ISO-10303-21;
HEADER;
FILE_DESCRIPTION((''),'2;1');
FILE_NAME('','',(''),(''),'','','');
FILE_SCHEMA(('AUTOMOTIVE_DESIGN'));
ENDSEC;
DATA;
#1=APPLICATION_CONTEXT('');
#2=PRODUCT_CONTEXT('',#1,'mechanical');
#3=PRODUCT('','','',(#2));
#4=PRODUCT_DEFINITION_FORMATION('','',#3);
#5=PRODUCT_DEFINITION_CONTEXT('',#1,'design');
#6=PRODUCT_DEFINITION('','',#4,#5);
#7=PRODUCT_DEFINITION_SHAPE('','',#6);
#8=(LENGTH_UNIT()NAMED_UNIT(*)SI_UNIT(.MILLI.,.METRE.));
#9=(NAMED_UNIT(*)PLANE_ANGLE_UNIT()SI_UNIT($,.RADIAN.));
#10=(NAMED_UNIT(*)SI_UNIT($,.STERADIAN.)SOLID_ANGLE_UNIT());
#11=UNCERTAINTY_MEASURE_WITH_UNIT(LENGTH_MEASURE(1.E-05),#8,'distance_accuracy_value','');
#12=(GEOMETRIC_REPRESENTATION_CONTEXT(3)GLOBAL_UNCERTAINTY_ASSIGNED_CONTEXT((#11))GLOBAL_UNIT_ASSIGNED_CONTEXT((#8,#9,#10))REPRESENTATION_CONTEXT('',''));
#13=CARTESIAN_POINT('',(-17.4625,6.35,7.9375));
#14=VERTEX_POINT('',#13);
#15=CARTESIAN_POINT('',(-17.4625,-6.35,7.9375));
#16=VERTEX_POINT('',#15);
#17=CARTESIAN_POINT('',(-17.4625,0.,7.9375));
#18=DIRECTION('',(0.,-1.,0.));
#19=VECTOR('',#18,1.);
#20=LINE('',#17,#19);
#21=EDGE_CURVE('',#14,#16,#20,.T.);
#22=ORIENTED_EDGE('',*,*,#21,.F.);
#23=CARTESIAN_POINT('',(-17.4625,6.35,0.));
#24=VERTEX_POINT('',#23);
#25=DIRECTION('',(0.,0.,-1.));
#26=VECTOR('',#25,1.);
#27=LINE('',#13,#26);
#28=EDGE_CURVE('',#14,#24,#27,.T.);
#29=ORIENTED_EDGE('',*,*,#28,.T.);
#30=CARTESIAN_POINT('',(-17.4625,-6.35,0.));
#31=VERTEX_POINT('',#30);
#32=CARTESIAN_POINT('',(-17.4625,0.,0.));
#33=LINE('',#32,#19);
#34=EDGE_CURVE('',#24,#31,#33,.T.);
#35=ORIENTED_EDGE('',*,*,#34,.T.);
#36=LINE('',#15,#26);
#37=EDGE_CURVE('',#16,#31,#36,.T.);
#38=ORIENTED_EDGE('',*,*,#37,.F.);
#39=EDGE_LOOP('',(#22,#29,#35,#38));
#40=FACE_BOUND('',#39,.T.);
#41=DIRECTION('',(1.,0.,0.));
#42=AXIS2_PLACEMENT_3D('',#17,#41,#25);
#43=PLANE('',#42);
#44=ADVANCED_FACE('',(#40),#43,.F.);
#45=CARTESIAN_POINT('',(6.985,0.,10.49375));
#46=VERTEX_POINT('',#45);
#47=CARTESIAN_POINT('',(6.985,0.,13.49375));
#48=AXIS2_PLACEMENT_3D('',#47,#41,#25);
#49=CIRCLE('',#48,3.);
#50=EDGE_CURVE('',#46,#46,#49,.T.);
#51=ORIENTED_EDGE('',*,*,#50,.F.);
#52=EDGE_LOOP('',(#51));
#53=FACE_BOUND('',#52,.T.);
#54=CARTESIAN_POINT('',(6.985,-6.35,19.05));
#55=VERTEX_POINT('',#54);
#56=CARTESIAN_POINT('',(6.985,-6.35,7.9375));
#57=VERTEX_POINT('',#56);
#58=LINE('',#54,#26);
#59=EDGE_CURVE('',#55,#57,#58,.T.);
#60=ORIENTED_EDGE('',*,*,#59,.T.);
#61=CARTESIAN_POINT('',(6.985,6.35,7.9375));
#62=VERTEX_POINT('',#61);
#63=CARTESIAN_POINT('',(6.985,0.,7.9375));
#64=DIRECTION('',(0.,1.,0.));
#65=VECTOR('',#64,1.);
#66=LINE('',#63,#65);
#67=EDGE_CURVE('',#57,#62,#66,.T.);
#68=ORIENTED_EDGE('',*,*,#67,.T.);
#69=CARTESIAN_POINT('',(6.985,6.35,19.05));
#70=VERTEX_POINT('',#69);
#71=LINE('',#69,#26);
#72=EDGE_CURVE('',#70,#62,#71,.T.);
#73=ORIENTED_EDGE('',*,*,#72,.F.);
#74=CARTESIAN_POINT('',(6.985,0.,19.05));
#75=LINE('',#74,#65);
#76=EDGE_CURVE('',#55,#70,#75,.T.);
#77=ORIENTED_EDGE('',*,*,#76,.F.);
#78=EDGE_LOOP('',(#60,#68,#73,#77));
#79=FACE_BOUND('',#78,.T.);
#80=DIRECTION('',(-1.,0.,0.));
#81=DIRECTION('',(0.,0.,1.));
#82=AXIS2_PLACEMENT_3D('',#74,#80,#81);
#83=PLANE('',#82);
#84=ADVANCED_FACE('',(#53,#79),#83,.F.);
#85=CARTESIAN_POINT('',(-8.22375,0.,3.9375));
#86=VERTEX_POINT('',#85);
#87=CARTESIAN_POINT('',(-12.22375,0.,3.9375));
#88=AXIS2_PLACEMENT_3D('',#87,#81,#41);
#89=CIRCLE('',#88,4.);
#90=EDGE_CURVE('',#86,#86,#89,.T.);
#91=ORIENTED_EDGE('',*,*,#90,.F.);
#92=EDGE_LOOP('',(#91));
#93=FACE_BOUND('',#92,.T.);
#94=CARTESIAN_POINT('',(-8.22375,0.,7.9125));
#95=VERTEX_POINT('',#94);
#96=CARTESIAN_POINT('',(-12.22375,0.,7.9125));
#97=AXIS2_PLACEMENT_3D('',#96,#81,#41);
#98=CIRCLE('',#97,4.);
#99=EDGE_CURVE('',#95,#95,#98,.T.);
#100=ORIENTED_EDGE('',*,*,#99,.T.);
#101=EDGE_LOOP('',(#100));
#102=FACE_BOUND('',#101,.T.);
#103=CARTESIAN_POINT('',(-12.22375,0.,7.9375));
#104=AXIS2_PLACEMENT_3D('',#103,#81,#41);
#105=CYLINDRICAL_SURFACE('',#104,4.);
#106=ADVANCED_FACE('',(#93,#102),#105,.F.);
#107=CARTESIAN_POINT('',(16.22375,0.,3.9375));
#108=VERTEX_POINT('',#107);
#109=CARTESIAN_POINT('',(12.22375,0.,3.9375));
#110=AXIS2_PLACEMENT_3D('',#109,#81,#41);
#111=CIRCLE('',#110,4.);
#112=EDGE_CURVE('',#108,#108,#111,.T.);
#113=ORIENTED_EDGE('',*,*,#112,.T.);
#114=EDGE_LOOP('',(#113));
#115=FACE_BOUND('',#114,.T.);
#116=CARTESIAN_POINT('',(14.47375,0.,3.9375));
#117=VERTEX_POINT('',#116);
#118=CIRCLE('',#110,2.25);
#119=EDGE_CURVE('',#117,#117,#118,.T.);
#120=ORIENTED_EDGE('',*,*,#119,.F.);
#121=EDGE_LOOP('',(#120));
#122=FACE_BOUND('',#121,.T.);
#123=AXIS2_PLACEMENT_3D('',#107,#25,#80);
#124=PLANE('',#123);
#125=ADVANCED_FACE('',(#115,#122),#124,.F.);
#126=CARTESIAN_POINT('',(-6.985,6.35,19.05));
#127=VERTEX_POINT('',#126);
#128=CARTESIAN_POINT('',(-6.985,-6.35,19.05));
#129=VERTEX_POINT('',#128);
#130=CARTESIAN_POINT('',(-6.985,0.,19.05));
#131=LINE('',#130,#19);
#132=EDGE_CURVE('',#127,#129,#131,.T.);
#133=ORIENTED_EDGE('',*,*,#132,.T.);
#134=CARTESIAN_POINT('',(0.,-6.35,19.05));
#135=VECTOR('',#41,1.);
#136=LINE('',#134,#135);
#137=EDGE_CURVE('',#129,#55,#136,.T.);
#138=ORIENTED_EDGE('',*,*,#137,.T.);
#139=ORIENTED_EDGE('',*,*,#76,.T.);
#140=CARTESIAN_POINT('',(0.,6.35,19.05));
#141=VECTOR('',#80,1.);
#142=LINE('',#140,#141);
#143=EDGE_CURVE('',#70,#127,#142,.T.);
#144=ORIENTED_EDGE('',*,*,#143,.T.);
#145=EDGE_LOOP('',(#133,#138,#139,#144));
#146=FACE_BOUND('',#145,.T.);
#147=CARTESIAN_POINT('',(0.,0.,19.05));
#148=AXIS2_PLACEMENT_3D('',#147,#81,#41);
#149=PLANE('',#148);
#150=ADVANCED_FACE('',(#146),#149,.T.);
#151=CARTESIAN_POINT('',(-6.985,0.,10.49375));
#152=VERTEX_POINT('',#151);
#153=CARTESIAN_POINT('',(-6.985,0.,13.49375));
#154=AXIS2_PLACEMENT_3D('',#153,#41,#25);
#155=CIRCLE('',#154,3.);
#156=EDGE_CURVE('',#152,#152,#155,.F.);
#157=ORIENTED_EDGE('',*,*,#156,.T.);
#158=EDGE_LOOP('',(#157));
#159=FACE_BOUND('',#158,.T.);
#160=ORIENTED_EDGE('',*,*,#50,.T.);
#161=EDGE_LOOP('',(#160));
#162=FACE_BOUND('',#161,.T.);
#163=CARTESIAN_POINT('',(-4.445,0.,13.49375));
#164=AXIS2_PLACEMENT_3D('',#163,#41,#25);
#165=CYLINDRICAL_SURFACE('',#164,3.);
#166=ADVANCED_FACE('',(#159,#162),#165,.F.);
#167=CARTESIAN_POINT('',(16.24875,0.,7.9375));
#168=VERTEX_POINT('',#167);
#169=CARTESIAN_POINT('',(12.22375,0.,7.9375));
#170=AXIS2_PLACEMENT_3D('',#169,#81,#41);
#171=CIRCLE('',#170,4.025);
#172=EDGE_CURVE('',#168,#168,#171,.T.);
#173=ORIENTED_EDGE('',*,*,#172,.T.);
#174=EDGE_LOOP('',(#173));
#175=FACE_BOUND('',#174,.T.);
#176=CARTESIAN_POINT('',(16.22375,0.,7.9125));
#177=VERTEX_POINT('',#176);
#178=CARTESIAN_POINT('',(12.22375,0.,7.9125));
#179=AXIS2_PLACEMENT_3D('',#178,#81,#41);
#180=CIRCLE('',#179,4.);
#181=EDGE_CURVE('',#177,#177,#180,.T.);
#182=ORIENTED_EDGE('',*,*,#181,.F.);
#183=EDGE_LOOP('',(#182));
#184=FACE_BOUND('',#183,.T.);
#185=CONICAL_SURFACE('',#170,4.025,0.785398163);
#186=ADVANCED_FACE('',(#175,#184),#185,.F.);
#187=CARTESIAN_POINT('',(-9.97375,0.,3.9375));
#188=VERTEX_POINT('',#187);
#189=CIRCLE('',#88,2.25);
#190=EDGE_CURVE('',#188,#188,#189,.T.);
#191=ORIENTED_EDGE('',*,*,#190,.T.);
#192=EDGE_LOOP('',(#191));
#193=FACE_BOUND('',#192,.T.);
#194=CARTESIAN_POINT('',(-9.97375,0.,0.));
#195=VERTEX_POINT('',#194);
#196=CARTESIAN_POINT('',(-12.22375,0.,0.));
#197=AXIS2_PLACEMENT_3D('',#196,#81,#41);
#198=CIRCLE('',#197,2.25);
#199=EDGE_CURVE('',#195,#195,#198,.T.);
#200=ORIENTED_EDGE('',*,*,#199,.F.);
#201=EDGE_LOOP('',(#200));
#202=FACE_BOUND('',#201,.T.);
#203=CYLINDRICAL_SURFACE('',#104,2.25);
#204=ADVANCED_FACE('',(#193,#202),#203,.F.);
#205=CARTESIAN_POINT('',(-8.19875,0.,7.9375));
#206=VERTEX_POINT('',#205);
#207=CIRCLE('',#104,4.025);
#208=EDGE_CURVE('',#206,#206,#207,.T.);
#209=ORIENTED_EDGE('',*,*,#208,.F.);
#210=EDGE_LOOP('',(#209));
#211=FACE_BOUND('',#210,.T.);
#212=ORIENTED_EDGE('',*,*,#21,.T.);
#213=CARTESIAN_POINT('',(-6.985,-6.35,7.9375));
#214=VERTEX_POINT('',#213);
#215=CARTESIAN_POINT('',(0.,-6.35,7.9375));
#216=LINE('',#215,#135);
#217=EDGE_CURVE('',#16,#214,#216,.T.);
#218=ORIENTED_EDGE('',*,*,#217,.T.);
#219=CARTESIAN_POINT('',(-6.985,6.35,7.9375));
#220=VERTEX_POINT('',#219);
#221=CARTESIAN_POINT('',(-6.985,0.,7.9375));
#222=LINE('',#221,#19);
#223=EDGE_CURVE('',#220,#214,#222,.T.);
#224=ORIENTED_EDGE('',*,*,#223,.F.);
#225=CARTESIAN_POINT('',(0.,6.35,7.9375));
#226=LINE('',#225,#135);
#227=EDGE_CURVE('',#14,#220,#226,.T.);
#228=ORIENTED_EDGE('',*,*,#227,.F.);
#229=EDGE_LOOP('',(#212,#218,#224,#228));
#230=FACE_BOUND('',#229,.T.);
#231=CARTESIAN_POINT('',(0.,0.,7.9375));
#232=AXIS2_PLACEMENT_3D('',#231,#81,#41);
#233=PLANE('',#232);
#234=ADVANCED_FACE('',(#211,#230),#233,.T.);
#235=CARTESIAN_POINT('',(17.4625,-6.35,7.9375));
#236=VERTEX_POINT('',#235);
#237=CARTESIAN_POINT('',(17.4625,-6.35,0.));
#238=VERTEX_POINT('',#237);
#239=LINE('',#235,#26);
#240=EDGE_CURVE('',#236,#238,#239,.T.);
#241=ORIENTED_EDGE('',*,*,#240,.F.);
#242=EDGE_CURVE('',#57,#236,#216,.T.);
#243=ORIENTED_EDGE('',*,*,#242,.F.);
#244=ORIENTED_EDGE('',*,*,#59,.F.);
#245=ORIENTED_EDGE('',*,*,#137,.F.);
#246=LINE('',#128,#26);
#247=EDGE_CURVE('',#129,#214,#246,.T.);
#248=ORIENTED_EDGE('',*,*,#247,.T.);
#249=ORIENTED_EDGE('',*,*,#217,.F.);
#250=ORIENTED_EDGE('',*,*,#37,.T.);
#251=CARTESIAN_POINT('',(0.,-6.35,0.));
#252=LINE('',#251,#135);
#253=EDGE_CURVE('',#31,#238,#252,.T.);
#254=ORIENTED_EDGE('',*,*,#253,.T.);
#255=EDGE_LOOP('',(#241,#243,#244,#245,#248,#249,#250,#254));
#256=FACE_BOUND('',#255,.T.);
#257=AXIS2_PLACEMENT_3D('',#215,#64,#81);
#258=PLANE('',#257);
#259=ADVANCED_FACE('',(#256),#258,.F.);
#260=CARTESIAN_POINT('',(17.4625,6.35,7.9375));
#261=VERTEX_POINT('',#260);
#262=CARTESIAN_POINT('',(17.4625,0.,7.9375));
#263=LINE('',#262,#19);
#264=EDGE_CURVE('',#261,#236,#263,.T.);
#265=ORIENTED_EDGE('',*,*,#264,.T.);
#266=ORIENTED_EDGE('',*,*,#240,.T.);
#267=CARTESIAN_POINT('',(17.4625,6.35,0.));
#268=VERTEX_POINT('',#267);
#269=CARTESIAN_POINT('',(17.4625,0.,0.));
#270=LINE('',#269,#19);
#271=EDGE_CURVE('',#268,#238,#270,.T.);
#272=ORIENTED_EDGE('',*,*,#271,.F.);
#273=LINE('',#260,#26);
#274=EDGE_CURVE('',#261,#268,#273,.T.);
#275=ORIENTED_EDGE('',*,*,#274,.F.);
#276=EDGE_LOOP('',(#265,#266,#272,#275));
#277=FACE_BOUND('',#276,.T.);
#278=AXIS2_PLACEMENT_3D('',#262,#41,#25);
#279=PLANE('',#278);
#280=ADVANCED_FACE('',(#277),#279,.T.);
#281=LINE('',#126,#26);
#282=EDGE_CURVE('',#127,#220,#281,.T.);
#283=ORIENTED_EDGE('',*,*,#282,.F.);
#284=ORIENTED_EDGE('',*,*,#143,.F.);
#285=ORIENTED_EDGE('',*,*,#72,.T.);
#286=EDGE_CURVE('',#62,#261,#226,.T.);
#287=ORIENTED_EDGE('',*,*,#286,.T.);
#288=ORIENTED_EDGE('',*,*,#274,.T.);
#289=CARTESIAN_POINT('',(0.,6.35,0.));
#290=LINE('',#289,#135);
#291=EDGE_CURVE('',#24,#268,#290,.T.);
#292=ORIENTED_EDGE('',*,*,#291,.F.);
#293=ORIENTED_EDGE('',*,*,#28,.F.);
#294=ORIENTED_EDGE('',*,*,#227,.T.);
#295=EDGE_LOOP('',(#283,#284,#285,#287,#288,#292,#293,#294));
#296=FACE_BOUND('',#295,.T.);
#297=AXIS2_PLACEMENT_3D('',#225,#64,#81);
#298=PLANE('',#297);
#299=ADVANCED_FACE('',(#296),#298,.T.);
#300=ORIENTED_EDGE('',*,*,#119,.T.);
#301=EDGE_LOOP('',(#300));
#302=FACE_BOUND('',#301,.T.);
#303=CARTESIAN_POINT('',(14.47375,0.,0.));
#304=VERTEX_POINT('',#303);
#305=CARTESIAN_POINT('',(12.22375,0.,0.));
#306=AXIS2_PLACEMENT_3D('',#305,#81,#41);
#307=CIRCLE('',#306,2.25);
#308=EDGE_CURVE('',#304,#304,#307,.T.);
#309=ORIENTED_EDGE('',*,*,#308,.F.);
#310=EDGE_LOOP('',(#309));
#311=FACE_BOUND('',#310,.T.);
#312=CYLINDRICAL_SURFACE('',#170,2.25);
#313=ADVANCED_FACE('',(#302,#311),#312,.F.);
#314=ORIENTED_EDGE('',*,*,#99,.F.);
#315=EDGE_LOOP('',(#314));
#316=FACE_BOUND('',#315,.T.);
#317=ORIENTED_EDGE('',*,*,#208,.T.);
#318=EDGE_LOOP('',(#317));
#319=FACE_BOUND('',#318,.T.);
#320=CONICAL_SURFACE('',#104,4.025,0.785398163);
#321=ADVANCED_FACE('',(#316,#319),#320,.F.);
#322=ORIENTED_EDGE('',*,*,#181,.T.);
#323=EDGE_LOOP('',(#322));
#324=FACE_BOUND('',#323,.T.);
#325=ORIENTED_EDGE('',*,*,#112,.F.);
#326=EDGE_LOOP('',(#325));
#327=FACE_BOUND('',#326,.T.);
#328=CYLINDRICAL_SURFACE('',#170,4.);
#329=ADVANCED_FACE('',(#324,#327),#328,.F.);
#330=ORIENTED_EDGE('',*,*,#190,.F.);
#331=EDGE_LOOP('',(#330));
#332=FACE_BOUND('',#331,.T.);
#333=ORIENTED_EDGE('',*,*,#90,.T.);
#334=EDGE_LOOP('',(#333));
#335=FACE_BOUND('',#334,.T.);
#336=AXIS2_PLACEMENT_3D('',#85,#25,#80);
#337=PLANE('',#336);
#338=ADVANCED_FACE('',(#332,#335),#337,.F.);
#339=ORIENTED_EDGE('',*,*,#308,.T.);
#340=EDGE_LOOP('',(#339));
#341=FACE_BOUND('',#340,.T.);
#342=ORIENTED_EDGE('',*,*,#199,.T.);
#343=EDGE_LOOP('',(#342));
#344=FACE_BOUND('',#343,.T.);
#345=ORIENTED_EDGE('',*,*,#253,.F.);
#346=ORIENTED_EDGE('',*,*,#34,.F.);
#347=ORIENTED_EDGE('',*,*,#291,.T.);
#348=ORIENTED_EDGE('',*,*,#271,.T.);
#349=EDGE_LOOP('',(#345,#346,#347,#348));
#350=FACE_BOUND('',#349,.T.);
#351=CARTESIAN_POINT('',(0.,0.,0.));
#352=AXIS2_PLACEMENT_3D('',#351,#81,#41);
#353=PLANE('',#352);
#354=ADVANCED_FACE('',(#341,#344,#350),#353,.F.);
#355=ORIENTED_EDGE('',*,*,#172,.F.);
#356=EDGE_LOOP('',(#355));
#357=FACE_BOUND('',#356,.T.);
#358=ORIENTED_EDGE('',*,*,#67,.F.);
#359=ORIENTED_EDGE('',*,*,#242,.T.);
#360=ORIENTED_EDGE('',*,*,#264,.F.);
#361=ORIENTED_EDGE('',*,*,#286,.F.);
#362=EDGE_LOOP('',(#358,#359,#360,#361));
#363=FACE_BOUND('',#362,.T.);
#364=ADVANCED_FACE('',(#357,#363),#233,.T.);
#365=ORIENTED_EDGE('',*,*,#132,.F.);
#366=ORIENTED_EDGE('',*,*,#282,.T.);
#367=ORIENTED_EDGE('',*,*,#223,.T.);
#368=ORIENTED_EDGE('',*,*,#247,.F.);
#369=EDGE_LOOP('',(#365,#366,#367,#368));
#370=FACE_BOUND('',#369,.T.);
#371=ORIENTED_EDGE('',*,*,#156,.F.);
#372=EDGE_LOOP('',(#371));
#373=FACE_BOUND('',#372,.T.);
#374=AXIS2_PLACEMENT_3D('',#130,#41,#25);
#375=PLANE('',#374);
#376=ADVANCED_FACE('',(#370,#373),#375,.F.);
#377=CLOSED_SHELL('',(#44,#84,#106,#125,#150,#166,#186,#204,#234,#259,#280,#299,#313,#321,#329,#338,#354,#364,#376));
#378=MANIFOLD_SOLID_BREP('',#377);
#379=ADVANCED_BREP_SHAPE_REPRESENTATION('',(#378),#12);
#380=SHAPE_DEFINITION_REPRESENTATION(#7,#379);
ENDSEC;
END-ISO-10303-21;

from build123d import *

# Parameters (mm, degrees)
SKETCH1_W                     = 10.4775
SKETCH1_H                     = 12.7
SKETCH1_R                     = 2
SKETCH1_W_2                   = 13.97
BOSS_EXTRUDE1_DEPTH           = 7.9375
SKETCH2_W                     = 13.97
SKETCH2_H                     = 12.7
BOSS_EXTRUDE2_DEPTH           = 11.1125
CUT_EXTRUDE1_DEPTH            = 11.43
SKETCH4_R                     = 1.143
CUT_EXTRUDE2_DEPTH            = 32.637086722
CBORE_FOR_M4_SHCS1_AT_2_COUNT = 2
CBORE_FOR_M4_SHCS1_AT_2_PITCH = 24.4475
SKETCH8_R                     = 3
SKETCH8_R_2                   = 1.143
CUT_EXTRUDE3_DEPTH            = 32.637086722


with BuildPart() as part:
    # Sketch1 → Boss-Extrude1 (new body)
    # profile 1 of 5: a face of its own
    with BuildSketch(Plane.XY):
        with Locations((12.22375, 0)):
            Rectangle(SKETCH1_W, SKETCH1_H)
        with Locations((12.22375, 0)):
            Circle(SKETCH1_R, mode=Mode.SUBTRACT)
    # profile 2 of 5: a face of its own
    with BuildSketch(Plane.XY):
        Rectangle(SKETCH1_W_2, SKETCH1_H)
    # profile 3 of 5: a face of its own
    with BuildSketch(Plane.XY):
        with Locations((-12.22375, 0)):
            Rectangle(SKETCH1_W, SKETCH1_H)
        with Locations((-12.22375, 0)):
            Circle(SKETCH1_R, mode=Mode.SUBTRACT)
    # profile 4 of 5: a face of its own
    with BuildSketch(Plane.XY):
        with Locations((12.22375, 0)):
            Circle(SKETCH1_R)
    # profile 5 of 5: a face of its own
    with BuildSketch(Plane.XY):
        with Locations((-12.22375, 0)):
            Circle(SKETCH1_R)
    extrude(amount=BOSS_EXTRUDE1_DEPTH)

    # Sketch2 → Boss-Extrude2 (add)
    with BuildSketch(Plane.XY.offset(7.9375)):
        Rectangle(SKETCH2_W, SKETCH2_H)
    extrude(amount=BOSS_EXTRUDE2_DEPTH)

    # Sketch3 → Cut-Extrude1 (cut)
    with BuildSketch(Plane(origin=(6.985, 0, 0), x_dir=(0, 0, -1), z_dir=(1, 0, 0))):
        with BuildLine():
            ThreePointArc((-13.49375, 3), (-16.49375, 0), (-13.49375, -3))
            Line((-13.49375, -3), (-13.49375, -1.143))
            ThreePointArc((-13.49375, -1.143), (-14.63675, 0), (-13.49375, 1.143))
            Line((-13.49375, 1.143), (-13.49375, 3))
        make_face()
        with BuildLine():
            Line((-13.49375, -1.143), (-13.49375, -3))
            ThreePointArc((-13.49375, -3), (-11.372429656, -2.121320344), (-10.49375, 0))
            ThreePointArc((-10.49375, 0), (-11.372429656, 2.121320344), (-13.49375, 3))
            Line((-13.49375, 3), (-13.49375, 1.143))
            ThreePointArc((-13.49375, 1.143), (-12.685526949, 0.808223051), (-12.35075, 0))
            ThreePointArc((-12.35075, 0), (-12.685526949, -0.808223051), (-13.49375, -1.143))
        make_face()
        with BuildLine():
            ThreePointArc((-13.49375, 1.143), (-14.63675, 0), (-13.49375, -1.143))
            Line((-13.49375, -1.143), (-13.49375, 1.143))
        make_face()
        with BuildLine():
            Line((-13.49375, 1.143), (-13.49375, -1.143))
            ThreePointArc((-13.49375, -1.143), (-12.685526949, -0.808223051), (-12.35075, 0))
            ThreePointArc((-12.35075, 0), (-12.685526949, 0.808223051), (-13.49375, 1.143))
        make_face()
    extrude(amount=-CUT_EXTRUDE1_DEPTH, mode=Mode.SUBTRACT)

    # Sketch4 → Cut-Extrude2 (cut, through all)
    with BuildSketch(Plane(origin=(6.985, 0, 0), x_dir=(0, 0, -1), z_dir=(1, 0, 0))):
        with Locations((-13.49375, 0)):
            Circle(SKETCH4_R)
    extrude(amount=-CUT_EXTRUDE2_DEPTH, mode=Mode.SUBTRACT)

    # Sketch6 → CBORE for M4 SHCS1 (revolve, cut)
    with BuildSketch(Plane(origin=(12.22375, 0, 7.9375), x_dir=(0, -1, 0), z_dir=(1, 0, 0))):
        Polygon((0, 0), (0, 7.9375), (2.25, 7.9375), (2.25, 4), (4, 4), (4, 0.025), (4.025, 0), align=None)
    cbore_for_m4_shcs1 = revolve(axis=Axis((12.22375, 0, 14.2875), (0, 0, -1)), mode=Mode.SUBTRACT)

    # CBORE for M4 SHCS1 at 2: CBORE for M4 SHCS1 ×2
    with Locations(*[(-i * CBORE_FOR_M4_SHCS1_AT_2_PITCH, 0, 0) for i in range(1, CBORE_FOR_M4_SHCS1_AT_2_COUNT)]):
        add(cbore_for_m4_shcs1, mode=Mode.SUBTRACT)

    # Sketch8 → Cut-Extrude3 (cut, through all)
    # profile 1 of 2: a face of its own
    with BuildSketch(Plane(origin=(6.985, 0, 0), x_dir=(0, 0, -1), z_dir=(1, 0, 0))):
        with Locations((-13.49375, 0)):
            Circle(SKETCH8_R)
        with Locations((-13.49375, 0)):
            Circle(SKETCH8_R_2, mode=Mode.SUBTRACT)
    # profile 2 of 2: a face of its own
    with BuildSketch(Plane(origin=(6.985, 0, 0), x_dir=(0, 0, -1), z_dir=(1, 0, 0))):
        with Locations((-13.49375, 0)):
            Circle(SKETCH8_R_2)
    extrude(amount=-CUT_EXTRUDE3_DEPTH, mode=Mode.SUBTRACT)


solid = part.part
